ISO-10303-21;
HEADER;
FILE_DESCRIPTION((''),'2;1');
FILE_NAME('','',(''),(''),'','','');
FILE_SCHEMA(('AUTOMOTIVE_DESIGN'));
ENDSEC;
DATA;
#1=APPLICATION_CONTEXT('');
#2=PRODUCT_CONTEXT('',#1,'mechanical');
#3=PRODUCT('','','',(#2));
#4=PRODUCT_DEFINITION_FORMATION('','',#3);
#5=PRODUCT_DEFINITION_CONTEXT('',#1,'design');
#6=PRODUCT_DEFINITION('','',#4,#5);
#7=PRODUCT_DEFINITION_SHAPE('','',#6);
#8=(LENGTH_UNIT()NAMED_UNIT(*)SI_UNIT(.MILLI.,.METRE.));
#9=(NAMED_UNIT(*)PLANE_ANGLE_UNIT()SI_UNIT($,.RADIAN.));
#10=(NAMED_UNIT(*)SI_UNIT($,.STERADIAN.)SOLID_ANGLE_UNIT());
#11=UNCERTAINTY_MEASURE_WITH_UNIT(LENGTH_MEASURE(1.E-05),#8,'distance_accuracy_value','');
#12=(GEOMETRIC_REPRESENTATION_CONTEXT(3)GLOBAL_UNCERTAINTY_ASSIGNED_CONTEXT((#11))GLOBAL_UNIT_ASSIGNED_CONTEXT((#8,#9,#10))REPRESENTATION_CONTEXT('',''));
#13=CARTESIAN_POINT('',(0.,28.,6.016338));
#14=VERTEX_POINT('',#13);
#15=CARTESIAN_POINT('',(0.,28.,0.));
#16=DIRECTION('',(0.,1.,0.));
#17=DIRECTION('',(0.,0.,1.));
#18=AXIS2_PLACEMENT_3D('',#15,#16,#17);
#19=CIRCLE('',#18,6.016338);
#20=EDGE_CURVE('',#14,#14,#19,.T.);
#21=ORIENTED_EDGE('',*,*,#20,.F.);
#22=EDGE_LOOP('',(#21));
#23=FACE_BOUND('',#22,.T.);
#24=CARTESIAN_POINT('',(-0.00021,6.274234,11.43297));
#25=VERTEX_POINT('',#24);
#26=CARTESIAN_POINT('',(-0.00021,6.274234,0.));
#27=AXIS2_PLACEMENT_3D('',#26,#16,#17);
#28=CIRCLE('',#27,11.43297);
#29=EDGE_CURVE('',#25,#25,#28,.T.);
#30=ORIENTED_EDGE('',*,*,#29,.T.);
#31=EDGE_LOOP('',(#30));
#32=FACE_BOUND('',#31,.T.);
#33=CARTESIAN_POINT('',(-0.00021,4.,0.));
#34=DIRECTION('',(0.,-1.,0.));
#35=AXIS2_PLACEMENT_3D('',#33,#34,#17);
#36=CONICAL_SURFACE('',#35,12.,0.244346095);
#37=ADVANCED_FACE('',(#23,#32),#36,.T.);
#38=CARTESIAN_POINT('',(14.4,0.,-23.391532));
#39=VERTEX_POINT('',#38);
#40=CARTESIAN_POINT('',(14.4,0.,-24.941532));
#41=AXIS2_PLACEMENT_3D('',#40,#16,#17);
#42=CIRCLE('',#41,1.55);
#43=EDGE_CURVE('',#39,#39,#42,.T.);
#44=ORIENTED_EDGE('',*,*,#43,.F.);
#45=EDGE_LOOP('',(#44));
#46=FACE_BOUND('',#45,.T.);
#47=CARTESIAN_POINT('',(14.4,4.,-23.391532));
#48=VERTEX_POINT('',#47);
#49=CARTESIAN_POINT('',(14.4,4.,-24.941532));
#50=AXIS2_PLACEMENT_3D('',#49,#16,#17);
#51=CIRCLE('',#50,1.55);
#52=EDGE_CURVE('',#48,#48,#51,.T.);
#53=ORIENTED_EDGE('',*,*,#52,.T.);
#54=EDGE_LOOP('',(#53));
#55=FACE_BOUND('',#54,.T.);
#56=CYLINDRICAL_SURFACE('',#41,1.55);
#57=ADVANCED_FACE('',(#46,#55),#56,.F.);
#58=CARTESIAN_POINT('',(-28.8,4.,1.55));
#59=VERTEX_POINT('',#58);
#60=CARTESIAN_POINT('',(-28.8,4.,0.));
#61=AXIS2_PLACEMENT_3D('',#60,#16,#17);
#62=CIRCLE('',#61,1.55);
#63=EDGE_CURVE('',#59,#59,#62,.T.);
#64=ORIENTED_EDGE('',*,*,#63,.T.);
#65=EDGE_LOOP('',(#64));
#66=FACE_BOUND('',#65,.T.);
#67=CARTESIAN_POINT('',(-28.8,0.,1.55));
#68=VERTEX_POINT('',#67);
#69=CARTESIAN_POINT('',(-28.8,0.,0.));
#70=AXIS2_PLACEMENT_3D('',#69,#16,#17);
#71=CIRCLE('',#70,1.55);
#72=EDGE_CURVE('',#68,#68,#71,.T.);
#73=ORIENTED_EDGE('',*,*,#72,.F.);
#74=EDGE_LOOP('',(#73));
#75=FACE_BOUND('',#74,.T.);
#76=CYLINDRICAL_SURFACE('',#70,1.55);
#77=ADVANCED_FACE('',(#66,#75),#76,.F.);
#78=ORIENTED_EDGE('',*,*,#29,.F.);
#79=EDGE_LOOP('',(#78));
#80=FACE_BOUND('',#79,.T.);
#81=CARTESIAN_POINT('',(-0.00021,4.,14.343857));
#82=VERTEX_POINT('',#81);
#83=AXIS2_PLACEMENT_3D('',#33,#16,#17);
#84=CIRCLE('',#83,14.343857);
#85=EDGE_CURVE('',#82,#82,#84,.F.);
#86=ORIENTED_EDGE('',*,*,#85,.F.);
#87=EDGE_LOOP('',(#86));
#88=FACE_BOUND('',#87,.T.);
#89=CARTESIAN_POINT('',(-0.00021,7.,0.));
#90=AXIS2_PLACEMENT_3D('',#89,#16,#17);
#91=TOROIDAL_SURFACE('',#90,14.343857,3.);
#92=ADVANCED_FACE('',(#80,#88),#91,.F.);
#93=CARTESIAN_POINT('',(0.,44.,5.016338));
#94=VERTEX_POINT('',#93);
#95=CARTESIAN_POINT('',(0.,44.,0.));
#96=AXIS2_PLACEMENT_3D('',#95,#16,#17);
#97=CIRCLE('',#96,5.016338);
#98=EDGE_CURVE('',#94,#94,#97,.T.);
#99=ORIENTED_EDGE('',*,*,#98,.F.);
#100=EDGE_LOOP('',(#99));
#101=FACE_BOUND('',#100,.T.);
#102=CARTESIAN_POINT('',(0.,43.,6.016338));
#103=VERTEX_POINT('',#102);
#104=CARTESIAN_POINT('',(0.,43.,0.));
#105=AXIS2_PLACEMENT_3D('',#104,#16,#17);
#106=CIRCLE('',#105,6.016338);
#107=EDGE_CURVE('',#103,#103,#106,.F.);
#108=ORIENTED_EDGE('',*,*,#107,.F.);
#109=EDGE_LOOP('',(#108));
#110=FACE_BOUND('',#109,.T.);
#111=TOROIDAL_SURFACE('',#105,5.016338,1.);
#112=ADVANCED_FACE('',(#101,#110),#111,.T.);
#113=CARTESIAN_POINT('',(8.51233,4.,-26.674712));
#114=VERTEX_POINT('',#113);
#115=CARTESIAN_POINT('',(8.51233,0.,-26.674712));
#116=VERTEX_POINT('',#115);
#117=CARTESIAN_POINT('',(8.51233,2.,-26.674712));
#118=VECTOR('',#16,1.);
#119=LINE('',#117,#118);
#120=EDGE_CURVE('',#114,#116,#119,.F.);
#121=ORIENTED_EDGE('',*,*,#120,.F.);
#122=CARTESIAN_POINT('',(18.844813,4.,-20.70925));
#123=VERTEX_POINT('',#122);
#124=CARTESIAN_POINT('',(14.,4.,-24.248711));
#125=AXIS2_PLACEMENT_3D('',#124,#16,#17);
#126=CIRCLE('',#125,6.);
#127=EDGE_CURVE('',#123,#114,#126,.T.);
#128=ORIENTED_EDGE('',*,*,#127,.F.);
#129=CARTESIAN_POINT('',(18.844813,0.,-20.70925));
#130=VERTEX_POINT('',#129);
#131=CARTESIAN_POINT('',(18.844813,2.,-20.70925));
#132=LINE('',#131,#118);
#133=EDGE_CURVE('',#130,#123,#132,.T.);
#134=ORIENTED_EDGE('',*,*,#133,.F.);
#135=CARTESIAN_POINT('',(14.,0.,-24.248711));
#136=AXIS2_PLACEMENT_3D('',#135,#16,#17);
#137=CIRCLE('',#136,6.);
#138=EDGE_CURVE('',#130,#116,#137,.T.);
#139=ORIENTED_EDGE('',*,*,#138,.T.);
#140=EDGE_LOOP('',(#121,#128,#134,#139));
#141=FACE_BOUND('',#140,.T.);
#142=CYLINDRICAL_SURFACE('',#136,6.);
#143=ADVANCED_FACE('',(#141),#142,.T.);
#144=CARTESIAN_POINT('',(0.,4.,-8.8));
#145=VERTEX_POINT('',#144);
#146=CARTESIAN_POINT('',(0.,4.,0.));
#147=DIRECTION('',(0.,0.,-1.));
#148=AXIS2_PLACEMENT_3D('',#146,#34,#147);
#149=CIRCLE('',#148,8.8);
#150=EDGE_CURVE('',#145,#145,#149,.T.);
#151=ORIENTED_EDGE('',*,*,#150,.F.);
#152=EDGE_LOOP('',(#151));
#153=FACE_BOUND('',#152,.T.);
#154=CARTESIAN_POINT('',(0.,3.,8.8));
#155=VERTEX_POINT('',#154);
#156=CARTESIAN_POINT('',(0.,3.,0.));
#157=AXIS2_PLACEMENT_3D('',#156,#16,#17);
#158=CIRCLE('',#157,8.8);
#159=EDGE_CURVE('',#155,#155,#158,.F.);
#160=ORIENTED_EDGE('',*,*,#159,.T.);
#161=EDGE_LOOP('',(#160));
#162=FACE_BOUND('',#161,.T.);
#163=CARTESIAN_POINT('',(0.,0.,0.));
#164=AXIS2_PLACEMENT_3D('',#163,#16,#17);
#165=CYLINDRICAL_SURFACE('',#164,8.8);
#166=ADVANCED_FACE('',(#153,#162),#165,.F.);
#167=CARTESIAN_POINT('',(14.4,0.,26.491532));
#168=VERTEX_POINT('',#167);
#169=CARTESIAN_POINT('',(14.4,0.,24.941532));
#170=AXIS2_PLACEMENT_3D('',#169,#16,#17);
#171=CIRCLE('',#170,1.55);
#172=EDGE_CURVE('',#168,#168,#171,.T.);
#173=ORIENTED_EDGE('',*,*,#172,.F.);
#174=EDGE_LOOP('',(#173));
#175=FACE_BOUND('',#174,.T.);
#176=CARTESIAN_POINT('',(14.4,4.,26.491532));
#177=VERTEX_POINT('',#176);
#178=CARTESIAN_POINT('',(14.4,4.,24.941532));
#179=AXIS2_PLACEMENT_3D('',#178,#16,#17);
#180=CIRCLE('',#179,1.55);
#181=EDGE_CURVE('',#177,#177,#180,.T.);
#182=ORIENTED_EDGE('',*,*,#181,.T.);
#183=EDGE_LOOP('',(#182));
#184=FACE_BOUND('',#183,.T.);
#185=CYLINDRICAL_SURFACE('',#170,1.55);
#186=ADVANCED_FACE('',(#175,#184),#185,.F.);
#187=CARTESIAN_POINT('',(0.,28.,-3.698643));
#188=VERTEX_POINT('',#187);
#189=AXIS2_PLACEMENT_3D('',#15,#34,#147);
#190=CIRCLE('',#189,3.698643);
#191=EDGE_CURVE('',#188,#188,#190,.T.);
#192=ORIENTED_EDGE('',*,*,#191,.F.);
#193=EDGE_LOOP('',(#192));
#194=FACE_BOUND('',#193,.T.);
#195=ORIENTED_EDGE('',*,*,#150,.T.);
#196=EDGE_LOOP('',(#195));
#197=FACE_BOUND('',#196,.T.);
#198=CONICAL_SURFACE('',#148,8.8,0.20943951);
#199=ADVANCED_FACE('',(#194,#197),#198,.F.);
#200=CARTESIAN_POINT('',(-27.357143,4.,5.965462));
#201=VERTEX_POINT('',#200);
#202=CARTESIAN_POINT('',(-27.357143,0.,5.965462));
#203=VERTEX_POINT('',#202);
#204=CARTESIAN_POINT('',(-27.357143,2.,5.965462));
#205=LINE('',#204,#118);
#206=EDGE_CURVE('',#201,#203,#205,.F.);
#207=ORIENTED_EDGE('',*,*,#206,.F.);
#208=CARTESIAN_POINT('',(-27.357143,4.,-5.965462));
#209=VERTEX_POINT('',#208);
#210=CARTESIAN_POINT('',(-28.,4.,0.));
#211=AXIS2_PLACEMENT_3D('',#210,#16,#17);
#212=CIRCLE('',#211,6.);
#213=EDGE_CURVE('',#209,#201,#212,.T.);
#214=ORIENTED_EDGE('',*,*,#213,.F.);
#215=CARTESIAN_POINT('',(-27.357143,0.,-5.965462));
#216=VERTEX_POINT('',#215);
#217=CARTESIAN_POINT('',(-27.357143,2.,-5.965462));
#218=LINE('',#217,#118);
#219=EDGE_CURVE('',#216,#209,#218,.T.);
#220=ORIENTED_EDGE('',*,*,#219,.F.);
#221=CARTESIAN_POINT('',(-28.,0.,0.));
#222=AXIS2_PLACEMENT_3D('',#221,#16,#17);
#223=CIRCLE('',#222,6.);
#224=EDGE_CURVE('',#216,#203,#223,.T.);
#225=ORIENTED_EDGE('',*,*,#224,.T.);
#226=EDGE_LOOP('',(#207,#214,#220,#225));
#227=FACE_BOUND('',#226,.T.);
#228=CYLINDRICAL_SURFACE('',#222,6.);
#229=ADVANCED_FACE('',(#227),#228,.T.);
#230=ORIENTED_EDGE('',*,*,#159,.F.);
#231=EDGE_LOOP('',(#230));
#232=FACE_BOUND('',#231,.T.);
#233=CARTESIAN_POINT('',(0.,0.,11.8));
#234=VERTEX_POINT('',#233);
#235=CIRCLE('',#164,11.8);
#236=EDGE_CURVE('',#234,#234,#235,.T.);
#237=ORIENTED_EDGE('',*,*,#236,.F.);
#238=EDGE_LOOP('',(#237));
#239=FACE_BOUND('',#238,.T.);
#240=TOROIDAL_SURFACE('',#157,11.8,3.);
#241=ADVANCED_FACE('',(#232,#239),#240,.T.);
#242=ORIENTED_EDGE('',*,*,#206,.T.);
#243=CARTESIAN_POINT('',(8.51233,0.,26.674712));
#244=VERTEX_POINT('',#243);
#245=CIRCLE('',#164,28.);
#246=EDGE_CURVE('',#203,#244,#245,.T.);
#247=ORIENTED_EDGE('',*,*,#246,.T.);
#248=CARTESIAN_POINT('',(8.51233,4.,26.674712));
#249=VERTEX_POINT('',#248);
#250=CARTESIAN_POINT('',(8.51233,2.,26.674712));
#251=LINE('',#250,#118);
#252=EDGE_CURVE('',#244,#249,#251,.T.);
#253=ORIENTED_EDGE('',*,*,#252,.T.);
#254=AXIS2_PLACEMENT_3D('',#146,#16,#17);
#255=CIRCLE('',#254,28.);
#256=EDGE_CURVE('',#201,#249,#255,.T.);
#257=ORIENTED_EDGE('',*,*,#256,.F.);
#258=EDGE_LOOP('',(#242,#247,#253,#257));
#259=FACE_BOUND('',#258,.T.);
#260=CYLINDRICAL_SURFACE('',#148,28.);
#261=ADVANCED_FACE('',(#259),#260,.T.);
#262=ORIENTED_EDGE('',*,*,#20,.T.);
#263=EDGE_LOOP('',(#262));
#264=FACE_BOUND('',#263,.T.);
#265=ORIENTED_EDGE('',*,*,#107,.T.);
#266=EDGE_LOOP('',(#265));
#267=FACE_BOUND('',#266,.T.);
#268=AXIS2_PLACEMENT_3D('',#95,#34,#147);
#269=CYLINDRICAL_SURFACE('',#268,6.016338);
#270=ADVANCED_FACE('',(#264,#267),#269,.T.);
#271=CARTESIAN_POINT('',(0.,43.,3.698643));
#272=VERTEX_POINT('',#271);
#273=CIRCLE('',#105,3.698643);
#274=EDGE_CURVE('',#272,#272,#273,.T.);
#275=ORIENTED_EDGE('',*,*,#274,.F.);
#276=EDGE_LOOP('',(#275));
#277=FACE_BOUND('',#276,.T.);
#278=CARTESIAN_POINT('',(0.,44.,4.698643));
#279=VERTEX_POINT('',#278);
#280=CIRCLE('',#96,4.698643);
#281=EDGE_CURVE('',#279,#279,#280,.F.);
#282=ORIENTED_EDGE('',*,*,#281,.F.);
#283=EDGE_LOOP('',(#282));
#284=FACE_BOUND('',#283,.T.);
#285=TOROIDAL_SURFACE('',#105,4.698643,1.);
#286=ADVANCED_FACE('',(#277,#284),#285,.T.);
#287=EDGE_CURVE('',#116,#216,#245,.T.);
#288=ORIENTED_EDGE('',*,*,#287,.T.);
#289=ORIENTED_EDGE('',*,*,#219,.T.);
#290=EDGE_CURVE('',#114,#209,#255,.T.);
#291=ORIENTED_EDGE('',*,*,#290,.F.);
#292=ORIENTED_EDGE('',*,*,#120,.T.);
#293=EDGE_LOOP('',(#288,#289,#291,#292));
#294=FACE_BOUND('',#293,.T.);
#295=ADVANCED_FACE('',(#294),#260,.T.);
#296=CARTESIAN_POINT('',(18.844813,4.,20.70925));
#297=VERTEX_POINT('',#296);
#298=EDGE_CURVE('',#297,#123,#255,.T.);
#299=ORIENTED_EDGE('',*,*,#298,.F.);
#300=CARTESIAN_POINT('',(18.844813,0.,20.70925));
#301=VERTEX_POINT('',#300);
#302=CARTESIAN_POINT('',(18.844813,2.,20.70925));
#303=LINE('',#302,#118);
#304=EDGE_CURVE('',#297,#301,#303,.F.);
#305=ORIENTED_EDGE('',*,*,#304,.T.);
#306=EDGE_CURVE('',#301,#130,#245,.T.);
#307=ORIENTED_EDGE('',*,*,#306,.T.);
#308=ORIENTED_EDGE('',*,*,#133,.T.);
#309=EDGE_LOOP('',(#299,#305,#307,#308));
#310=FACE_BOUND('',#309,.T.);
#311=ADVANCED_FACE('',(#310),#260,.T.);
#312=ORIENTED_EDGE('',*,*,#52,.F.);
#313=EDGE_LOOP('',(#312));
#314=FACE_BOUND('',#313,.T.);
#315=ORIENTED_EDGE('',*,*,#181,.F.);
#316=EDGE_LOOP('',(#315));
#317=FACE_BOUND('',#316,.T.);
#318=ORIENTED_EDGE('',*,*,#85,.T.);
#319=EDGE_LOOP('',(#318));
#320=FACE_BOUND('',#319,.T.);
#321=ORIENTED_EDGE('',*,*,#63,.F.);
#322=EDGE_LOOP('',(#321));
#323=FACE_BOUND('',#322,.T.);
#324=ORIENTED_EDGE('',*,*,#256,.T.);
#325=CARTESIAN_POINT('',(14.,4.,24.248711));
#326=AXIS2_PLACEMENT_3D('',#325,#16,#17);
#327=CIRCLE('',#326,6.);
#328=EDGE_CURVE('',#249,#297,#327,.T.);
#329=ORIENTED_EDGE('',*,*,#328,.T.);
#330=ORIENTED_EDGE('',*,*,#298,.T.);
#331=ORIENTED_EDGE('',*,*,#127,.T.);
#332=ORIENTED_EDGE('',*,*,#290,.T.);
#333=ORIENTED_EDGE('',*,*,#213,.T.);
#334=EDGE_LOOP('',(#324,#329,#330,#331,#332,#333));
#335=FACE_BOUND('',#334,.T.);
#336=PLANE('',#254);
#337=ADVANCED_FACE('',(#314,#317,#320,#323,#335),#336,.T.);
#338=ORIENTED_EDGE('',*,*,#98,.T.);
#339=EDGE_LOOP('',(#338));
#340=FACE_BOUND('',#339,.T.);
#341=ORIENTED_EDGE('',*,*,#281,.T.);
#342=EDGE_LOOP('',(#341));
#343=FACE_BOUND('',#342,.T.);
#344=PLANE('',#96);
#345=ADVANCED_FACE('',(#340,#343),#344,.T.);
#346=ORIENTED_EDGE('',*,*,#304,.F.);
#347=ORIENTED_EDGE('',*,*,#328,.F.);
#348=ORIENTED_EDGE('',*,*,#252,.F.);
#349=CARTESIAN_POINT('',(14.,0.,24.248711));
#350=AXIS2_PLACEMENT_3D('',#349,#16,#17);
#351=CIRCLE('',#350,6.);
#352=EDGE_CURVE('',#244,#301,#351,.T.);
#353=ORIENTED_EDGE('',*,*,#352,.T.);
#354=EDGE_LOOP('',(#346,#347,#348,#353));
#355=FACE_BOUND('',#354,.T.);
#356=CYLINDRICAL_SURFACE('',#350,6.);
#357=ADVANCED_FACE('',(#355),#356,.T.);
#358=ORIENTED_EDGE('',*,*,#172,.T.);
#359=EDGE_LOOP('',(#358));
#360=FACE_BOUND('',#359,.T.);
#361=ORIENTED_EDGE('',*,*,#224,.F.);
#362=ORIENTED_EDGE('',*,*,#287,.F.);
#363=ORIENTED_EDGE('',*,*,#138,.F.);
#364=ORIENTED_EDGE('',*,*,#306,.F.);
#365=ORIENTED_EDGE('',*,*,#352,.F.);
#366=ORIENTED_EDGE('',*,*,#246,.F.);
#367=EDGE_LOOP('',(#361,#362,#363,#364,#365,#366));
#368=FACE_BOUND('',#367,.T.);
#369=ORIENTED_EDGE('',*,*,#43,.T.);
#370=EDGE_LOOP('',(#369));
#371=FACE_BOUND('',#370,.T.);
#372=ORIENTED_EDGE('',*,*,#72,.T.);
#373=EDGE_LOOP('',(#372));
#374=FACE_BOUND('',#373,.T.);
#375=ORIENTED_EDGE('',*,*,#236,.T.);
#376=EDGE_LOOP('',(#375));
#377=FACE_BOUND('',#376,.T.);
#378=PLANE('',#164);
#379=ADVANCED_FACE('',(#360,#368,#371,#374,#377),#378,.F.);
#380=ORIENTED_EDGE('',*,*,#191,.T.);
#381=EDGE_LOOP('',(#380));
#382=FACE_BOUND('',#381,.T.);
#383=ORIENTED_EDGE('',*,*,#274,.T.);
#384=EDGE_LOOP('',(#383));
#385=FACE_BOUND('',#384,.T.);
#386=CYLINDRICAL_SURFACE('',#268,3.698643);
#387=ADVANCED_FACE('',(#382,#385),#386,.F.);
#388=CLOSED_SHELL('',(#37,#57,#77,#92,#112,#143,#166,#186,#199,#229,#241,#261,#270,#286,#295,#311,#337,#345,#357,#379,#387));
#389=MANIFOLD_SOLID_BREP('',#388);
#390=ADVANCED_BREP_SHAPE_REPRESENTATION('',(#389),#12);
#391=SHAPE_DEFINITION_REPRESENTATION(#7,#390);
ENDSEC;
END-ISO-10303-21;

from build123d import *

# Parameters (mm, degrees)
SKETCH1_R            = 28
BOSS_EXTRUDE1_DEPTH  = 4
SKETCH2_R            = 6
BOSS_EXTRUDE3_DEPTH  = 4
SKETCH3_R            = 1.55
CUT_EXTRUDE1_DEPTH   = 46.683525867
SKETCH4_R            = 8.8
CUT_EXTRUDE2_DEPTH   = 46.683525867
SKETCH5_R            = 12
BOSS_EXTRUDE4_DEPTH  = 24
BOSS_EXTRUDE4_TAPER  = 14
FILLET1_R            = 3
FILLET2_R            = 3
SKETCH17_R           = 8.8
CUT_EXTRUDE4_DEPTH   = 24
CUT_EXTRUDE4_DRAFT   = -12
SKETCH19_R           = 6.01633814
SKETCH19_R_2         = 3.69864252
BOSS_EXTRUDE10_DEPTH = 16
FILLET3_R            = 1


with BuildPart() as part:
    # Sketch1 → Boss-Extrude1 (new body)
    with BuildSketch(Plane(origin=(0, 0, 0), x_dir=(1, 0, 0), z_dir=(0, 1, 0))):
        with Locations(Location((0, 0, 0), (0, 0, 270))):
            Circle(SKETCH1_R)
    extrude(amount=BOSS_EXTRUDE1_DEPTH)

    # Sketch2 → Boss-Extrude3 (add)
    with BuildSketch(Plane(origin=(0, 4, 0), x_dir=(1, 0, 0), z_dir=(0, 1, 0))):
        with Locations((-28, 0)):
            Circle(SKETCH2_R)
        with Locations((14, 24.248711306)):
            Circle(SKETCH2_R)
        with Locations((14, -24.248711306)):
            Circle(SKETCH2_R)
    extrude(amount=-BOSS_EXTRUDE3_DEPTH)

    # Sketch3 → Cut-Extrude1 (cut, through all)
    with BuildSketch(Plane(origin=(0, 4, 0), x_dir=(1, 0, 0), z_dir=(0, 1, 0))):
        with Locations(Location((-28.8, 0, 0), (0, 0, 270))):
            Circle(SKETCH3_R)
        with Locations(Location((14.4, 24.941531629, 0), (0, 0, 270))):
            Circle(SKETCH3_R)
        with Locations(Location((14.4, -24.941531629, 0), (0, 0, 270))):
            Circle(SKETCH3_R)
    extrude(amount=-CUT_EXTRUDE1_DEPTH, mode=Mode.SUBTRACT)

    # Sketch4 → Cut-Extrude2 (cut, through all)
    with BuildSketch(Plane(origin=(0, 4, 0), x_dir=(1, 0, 0), z_dir=(0, 1, 0))):
        with Locations(Location((0, 0, 0), (0, 0, 270))):
            Circle(SKETCH4_R)
    extrude(amount=-CUT_EXTRUDE2_DEPTH, mode=Mode.SUBTRACT)

    # Sketch5 → Boss-Extrude4 (add)
    with BuildSketch(Plane(origin=(0, 4, 0), x_dir=(1, 0, 0), z_dir=(0, 1, 0))):
        with Locations((-0.000210208, 0)):
            Circle(SKETCH5_R)
    extrude(amount=BOSS_EXTRUDE4_DEPTH, taper=BOSS_EXTRUDE4_TAPER)

    # Fillet1
    fillet1_edges = [part.edges().sort_by_distance(p)[0] for p in [
        (0, 0, -8.8),
    ]]
    fillet(fillet1_edges, radius=FILLET1_R)

    # Fillet2
    fillet2_edges = [part.edges().sort_by_distance(p)[0] for p in [
        (-12.000210208, 4, 0),
    ]]
    fillet(fillet2_edges, radius=FILLET2_R)


with BuildPart() as cut_extrude4_tool:
    # Sketch17 → Cut-Extrude4 (with draft: the straight prism first)
    with BuildSketch(Plane(origin=(0, 4, 0), x_dir=(-1, 0, 0), z_dir=(0, -1, 0))):
        with Locations(Location((0, 0, 0), (0, 0, 270))):
            Circle(SKETCH17_R)
    extrude(amount=-CUT_EXTRUDE4_DEPTH)
    # Cut-Extrude4: the draft: its side faces are tilted about the plane it starts from
    cut_extrude4_sides = [cut_extrude4_tool.faces().sort_by_distance(p)[0] for p in [
        (0, 16, -8.8),
    ]]
    draft(cut_extrude4_sides, Plane(origin=(0, 4, 0), x_dir=(-1, 0, 0), z_dir=(0, -1, 0)), CUT_EXTRUDE4_DRAFT)


with BuildPart() as part_1:
    add(part.part)

    # Cut-Extrude4: cut by cut_extrude4_tool
    add(cut_extrude4_tool.part, mode=Mode.SUBTRACT)

    # Sketch19 → Boss-Extrude10 (add)
    with BuildSketch(Plane(origin=(0, 28, 0), x_dir=(1, 0, 0), z_dir=(0, 1, 0))):
        with Locations(Location((0, 0, 0), (0, 0, 270))):
            Circle(SKETCH19_R)
        with Locations(Location((0, 0, 0), (0, 0, 90))):
            Circle(SKETCH19_R_2, mode=Mode.SUBTRACT)
    extrude(amount=BOSS_EXTRUDE10_DEPTH)

    # Fillet3
    fillet3_edges = [part_1.edges().sort_by_distance(p)[0] for p in [
        (0, 44, -6.01633814),
        (0, 44, 3.69864252),
    ]]
    fillet(fillet3_edges, radius=FILLET3_R)


solid = part_1.part
